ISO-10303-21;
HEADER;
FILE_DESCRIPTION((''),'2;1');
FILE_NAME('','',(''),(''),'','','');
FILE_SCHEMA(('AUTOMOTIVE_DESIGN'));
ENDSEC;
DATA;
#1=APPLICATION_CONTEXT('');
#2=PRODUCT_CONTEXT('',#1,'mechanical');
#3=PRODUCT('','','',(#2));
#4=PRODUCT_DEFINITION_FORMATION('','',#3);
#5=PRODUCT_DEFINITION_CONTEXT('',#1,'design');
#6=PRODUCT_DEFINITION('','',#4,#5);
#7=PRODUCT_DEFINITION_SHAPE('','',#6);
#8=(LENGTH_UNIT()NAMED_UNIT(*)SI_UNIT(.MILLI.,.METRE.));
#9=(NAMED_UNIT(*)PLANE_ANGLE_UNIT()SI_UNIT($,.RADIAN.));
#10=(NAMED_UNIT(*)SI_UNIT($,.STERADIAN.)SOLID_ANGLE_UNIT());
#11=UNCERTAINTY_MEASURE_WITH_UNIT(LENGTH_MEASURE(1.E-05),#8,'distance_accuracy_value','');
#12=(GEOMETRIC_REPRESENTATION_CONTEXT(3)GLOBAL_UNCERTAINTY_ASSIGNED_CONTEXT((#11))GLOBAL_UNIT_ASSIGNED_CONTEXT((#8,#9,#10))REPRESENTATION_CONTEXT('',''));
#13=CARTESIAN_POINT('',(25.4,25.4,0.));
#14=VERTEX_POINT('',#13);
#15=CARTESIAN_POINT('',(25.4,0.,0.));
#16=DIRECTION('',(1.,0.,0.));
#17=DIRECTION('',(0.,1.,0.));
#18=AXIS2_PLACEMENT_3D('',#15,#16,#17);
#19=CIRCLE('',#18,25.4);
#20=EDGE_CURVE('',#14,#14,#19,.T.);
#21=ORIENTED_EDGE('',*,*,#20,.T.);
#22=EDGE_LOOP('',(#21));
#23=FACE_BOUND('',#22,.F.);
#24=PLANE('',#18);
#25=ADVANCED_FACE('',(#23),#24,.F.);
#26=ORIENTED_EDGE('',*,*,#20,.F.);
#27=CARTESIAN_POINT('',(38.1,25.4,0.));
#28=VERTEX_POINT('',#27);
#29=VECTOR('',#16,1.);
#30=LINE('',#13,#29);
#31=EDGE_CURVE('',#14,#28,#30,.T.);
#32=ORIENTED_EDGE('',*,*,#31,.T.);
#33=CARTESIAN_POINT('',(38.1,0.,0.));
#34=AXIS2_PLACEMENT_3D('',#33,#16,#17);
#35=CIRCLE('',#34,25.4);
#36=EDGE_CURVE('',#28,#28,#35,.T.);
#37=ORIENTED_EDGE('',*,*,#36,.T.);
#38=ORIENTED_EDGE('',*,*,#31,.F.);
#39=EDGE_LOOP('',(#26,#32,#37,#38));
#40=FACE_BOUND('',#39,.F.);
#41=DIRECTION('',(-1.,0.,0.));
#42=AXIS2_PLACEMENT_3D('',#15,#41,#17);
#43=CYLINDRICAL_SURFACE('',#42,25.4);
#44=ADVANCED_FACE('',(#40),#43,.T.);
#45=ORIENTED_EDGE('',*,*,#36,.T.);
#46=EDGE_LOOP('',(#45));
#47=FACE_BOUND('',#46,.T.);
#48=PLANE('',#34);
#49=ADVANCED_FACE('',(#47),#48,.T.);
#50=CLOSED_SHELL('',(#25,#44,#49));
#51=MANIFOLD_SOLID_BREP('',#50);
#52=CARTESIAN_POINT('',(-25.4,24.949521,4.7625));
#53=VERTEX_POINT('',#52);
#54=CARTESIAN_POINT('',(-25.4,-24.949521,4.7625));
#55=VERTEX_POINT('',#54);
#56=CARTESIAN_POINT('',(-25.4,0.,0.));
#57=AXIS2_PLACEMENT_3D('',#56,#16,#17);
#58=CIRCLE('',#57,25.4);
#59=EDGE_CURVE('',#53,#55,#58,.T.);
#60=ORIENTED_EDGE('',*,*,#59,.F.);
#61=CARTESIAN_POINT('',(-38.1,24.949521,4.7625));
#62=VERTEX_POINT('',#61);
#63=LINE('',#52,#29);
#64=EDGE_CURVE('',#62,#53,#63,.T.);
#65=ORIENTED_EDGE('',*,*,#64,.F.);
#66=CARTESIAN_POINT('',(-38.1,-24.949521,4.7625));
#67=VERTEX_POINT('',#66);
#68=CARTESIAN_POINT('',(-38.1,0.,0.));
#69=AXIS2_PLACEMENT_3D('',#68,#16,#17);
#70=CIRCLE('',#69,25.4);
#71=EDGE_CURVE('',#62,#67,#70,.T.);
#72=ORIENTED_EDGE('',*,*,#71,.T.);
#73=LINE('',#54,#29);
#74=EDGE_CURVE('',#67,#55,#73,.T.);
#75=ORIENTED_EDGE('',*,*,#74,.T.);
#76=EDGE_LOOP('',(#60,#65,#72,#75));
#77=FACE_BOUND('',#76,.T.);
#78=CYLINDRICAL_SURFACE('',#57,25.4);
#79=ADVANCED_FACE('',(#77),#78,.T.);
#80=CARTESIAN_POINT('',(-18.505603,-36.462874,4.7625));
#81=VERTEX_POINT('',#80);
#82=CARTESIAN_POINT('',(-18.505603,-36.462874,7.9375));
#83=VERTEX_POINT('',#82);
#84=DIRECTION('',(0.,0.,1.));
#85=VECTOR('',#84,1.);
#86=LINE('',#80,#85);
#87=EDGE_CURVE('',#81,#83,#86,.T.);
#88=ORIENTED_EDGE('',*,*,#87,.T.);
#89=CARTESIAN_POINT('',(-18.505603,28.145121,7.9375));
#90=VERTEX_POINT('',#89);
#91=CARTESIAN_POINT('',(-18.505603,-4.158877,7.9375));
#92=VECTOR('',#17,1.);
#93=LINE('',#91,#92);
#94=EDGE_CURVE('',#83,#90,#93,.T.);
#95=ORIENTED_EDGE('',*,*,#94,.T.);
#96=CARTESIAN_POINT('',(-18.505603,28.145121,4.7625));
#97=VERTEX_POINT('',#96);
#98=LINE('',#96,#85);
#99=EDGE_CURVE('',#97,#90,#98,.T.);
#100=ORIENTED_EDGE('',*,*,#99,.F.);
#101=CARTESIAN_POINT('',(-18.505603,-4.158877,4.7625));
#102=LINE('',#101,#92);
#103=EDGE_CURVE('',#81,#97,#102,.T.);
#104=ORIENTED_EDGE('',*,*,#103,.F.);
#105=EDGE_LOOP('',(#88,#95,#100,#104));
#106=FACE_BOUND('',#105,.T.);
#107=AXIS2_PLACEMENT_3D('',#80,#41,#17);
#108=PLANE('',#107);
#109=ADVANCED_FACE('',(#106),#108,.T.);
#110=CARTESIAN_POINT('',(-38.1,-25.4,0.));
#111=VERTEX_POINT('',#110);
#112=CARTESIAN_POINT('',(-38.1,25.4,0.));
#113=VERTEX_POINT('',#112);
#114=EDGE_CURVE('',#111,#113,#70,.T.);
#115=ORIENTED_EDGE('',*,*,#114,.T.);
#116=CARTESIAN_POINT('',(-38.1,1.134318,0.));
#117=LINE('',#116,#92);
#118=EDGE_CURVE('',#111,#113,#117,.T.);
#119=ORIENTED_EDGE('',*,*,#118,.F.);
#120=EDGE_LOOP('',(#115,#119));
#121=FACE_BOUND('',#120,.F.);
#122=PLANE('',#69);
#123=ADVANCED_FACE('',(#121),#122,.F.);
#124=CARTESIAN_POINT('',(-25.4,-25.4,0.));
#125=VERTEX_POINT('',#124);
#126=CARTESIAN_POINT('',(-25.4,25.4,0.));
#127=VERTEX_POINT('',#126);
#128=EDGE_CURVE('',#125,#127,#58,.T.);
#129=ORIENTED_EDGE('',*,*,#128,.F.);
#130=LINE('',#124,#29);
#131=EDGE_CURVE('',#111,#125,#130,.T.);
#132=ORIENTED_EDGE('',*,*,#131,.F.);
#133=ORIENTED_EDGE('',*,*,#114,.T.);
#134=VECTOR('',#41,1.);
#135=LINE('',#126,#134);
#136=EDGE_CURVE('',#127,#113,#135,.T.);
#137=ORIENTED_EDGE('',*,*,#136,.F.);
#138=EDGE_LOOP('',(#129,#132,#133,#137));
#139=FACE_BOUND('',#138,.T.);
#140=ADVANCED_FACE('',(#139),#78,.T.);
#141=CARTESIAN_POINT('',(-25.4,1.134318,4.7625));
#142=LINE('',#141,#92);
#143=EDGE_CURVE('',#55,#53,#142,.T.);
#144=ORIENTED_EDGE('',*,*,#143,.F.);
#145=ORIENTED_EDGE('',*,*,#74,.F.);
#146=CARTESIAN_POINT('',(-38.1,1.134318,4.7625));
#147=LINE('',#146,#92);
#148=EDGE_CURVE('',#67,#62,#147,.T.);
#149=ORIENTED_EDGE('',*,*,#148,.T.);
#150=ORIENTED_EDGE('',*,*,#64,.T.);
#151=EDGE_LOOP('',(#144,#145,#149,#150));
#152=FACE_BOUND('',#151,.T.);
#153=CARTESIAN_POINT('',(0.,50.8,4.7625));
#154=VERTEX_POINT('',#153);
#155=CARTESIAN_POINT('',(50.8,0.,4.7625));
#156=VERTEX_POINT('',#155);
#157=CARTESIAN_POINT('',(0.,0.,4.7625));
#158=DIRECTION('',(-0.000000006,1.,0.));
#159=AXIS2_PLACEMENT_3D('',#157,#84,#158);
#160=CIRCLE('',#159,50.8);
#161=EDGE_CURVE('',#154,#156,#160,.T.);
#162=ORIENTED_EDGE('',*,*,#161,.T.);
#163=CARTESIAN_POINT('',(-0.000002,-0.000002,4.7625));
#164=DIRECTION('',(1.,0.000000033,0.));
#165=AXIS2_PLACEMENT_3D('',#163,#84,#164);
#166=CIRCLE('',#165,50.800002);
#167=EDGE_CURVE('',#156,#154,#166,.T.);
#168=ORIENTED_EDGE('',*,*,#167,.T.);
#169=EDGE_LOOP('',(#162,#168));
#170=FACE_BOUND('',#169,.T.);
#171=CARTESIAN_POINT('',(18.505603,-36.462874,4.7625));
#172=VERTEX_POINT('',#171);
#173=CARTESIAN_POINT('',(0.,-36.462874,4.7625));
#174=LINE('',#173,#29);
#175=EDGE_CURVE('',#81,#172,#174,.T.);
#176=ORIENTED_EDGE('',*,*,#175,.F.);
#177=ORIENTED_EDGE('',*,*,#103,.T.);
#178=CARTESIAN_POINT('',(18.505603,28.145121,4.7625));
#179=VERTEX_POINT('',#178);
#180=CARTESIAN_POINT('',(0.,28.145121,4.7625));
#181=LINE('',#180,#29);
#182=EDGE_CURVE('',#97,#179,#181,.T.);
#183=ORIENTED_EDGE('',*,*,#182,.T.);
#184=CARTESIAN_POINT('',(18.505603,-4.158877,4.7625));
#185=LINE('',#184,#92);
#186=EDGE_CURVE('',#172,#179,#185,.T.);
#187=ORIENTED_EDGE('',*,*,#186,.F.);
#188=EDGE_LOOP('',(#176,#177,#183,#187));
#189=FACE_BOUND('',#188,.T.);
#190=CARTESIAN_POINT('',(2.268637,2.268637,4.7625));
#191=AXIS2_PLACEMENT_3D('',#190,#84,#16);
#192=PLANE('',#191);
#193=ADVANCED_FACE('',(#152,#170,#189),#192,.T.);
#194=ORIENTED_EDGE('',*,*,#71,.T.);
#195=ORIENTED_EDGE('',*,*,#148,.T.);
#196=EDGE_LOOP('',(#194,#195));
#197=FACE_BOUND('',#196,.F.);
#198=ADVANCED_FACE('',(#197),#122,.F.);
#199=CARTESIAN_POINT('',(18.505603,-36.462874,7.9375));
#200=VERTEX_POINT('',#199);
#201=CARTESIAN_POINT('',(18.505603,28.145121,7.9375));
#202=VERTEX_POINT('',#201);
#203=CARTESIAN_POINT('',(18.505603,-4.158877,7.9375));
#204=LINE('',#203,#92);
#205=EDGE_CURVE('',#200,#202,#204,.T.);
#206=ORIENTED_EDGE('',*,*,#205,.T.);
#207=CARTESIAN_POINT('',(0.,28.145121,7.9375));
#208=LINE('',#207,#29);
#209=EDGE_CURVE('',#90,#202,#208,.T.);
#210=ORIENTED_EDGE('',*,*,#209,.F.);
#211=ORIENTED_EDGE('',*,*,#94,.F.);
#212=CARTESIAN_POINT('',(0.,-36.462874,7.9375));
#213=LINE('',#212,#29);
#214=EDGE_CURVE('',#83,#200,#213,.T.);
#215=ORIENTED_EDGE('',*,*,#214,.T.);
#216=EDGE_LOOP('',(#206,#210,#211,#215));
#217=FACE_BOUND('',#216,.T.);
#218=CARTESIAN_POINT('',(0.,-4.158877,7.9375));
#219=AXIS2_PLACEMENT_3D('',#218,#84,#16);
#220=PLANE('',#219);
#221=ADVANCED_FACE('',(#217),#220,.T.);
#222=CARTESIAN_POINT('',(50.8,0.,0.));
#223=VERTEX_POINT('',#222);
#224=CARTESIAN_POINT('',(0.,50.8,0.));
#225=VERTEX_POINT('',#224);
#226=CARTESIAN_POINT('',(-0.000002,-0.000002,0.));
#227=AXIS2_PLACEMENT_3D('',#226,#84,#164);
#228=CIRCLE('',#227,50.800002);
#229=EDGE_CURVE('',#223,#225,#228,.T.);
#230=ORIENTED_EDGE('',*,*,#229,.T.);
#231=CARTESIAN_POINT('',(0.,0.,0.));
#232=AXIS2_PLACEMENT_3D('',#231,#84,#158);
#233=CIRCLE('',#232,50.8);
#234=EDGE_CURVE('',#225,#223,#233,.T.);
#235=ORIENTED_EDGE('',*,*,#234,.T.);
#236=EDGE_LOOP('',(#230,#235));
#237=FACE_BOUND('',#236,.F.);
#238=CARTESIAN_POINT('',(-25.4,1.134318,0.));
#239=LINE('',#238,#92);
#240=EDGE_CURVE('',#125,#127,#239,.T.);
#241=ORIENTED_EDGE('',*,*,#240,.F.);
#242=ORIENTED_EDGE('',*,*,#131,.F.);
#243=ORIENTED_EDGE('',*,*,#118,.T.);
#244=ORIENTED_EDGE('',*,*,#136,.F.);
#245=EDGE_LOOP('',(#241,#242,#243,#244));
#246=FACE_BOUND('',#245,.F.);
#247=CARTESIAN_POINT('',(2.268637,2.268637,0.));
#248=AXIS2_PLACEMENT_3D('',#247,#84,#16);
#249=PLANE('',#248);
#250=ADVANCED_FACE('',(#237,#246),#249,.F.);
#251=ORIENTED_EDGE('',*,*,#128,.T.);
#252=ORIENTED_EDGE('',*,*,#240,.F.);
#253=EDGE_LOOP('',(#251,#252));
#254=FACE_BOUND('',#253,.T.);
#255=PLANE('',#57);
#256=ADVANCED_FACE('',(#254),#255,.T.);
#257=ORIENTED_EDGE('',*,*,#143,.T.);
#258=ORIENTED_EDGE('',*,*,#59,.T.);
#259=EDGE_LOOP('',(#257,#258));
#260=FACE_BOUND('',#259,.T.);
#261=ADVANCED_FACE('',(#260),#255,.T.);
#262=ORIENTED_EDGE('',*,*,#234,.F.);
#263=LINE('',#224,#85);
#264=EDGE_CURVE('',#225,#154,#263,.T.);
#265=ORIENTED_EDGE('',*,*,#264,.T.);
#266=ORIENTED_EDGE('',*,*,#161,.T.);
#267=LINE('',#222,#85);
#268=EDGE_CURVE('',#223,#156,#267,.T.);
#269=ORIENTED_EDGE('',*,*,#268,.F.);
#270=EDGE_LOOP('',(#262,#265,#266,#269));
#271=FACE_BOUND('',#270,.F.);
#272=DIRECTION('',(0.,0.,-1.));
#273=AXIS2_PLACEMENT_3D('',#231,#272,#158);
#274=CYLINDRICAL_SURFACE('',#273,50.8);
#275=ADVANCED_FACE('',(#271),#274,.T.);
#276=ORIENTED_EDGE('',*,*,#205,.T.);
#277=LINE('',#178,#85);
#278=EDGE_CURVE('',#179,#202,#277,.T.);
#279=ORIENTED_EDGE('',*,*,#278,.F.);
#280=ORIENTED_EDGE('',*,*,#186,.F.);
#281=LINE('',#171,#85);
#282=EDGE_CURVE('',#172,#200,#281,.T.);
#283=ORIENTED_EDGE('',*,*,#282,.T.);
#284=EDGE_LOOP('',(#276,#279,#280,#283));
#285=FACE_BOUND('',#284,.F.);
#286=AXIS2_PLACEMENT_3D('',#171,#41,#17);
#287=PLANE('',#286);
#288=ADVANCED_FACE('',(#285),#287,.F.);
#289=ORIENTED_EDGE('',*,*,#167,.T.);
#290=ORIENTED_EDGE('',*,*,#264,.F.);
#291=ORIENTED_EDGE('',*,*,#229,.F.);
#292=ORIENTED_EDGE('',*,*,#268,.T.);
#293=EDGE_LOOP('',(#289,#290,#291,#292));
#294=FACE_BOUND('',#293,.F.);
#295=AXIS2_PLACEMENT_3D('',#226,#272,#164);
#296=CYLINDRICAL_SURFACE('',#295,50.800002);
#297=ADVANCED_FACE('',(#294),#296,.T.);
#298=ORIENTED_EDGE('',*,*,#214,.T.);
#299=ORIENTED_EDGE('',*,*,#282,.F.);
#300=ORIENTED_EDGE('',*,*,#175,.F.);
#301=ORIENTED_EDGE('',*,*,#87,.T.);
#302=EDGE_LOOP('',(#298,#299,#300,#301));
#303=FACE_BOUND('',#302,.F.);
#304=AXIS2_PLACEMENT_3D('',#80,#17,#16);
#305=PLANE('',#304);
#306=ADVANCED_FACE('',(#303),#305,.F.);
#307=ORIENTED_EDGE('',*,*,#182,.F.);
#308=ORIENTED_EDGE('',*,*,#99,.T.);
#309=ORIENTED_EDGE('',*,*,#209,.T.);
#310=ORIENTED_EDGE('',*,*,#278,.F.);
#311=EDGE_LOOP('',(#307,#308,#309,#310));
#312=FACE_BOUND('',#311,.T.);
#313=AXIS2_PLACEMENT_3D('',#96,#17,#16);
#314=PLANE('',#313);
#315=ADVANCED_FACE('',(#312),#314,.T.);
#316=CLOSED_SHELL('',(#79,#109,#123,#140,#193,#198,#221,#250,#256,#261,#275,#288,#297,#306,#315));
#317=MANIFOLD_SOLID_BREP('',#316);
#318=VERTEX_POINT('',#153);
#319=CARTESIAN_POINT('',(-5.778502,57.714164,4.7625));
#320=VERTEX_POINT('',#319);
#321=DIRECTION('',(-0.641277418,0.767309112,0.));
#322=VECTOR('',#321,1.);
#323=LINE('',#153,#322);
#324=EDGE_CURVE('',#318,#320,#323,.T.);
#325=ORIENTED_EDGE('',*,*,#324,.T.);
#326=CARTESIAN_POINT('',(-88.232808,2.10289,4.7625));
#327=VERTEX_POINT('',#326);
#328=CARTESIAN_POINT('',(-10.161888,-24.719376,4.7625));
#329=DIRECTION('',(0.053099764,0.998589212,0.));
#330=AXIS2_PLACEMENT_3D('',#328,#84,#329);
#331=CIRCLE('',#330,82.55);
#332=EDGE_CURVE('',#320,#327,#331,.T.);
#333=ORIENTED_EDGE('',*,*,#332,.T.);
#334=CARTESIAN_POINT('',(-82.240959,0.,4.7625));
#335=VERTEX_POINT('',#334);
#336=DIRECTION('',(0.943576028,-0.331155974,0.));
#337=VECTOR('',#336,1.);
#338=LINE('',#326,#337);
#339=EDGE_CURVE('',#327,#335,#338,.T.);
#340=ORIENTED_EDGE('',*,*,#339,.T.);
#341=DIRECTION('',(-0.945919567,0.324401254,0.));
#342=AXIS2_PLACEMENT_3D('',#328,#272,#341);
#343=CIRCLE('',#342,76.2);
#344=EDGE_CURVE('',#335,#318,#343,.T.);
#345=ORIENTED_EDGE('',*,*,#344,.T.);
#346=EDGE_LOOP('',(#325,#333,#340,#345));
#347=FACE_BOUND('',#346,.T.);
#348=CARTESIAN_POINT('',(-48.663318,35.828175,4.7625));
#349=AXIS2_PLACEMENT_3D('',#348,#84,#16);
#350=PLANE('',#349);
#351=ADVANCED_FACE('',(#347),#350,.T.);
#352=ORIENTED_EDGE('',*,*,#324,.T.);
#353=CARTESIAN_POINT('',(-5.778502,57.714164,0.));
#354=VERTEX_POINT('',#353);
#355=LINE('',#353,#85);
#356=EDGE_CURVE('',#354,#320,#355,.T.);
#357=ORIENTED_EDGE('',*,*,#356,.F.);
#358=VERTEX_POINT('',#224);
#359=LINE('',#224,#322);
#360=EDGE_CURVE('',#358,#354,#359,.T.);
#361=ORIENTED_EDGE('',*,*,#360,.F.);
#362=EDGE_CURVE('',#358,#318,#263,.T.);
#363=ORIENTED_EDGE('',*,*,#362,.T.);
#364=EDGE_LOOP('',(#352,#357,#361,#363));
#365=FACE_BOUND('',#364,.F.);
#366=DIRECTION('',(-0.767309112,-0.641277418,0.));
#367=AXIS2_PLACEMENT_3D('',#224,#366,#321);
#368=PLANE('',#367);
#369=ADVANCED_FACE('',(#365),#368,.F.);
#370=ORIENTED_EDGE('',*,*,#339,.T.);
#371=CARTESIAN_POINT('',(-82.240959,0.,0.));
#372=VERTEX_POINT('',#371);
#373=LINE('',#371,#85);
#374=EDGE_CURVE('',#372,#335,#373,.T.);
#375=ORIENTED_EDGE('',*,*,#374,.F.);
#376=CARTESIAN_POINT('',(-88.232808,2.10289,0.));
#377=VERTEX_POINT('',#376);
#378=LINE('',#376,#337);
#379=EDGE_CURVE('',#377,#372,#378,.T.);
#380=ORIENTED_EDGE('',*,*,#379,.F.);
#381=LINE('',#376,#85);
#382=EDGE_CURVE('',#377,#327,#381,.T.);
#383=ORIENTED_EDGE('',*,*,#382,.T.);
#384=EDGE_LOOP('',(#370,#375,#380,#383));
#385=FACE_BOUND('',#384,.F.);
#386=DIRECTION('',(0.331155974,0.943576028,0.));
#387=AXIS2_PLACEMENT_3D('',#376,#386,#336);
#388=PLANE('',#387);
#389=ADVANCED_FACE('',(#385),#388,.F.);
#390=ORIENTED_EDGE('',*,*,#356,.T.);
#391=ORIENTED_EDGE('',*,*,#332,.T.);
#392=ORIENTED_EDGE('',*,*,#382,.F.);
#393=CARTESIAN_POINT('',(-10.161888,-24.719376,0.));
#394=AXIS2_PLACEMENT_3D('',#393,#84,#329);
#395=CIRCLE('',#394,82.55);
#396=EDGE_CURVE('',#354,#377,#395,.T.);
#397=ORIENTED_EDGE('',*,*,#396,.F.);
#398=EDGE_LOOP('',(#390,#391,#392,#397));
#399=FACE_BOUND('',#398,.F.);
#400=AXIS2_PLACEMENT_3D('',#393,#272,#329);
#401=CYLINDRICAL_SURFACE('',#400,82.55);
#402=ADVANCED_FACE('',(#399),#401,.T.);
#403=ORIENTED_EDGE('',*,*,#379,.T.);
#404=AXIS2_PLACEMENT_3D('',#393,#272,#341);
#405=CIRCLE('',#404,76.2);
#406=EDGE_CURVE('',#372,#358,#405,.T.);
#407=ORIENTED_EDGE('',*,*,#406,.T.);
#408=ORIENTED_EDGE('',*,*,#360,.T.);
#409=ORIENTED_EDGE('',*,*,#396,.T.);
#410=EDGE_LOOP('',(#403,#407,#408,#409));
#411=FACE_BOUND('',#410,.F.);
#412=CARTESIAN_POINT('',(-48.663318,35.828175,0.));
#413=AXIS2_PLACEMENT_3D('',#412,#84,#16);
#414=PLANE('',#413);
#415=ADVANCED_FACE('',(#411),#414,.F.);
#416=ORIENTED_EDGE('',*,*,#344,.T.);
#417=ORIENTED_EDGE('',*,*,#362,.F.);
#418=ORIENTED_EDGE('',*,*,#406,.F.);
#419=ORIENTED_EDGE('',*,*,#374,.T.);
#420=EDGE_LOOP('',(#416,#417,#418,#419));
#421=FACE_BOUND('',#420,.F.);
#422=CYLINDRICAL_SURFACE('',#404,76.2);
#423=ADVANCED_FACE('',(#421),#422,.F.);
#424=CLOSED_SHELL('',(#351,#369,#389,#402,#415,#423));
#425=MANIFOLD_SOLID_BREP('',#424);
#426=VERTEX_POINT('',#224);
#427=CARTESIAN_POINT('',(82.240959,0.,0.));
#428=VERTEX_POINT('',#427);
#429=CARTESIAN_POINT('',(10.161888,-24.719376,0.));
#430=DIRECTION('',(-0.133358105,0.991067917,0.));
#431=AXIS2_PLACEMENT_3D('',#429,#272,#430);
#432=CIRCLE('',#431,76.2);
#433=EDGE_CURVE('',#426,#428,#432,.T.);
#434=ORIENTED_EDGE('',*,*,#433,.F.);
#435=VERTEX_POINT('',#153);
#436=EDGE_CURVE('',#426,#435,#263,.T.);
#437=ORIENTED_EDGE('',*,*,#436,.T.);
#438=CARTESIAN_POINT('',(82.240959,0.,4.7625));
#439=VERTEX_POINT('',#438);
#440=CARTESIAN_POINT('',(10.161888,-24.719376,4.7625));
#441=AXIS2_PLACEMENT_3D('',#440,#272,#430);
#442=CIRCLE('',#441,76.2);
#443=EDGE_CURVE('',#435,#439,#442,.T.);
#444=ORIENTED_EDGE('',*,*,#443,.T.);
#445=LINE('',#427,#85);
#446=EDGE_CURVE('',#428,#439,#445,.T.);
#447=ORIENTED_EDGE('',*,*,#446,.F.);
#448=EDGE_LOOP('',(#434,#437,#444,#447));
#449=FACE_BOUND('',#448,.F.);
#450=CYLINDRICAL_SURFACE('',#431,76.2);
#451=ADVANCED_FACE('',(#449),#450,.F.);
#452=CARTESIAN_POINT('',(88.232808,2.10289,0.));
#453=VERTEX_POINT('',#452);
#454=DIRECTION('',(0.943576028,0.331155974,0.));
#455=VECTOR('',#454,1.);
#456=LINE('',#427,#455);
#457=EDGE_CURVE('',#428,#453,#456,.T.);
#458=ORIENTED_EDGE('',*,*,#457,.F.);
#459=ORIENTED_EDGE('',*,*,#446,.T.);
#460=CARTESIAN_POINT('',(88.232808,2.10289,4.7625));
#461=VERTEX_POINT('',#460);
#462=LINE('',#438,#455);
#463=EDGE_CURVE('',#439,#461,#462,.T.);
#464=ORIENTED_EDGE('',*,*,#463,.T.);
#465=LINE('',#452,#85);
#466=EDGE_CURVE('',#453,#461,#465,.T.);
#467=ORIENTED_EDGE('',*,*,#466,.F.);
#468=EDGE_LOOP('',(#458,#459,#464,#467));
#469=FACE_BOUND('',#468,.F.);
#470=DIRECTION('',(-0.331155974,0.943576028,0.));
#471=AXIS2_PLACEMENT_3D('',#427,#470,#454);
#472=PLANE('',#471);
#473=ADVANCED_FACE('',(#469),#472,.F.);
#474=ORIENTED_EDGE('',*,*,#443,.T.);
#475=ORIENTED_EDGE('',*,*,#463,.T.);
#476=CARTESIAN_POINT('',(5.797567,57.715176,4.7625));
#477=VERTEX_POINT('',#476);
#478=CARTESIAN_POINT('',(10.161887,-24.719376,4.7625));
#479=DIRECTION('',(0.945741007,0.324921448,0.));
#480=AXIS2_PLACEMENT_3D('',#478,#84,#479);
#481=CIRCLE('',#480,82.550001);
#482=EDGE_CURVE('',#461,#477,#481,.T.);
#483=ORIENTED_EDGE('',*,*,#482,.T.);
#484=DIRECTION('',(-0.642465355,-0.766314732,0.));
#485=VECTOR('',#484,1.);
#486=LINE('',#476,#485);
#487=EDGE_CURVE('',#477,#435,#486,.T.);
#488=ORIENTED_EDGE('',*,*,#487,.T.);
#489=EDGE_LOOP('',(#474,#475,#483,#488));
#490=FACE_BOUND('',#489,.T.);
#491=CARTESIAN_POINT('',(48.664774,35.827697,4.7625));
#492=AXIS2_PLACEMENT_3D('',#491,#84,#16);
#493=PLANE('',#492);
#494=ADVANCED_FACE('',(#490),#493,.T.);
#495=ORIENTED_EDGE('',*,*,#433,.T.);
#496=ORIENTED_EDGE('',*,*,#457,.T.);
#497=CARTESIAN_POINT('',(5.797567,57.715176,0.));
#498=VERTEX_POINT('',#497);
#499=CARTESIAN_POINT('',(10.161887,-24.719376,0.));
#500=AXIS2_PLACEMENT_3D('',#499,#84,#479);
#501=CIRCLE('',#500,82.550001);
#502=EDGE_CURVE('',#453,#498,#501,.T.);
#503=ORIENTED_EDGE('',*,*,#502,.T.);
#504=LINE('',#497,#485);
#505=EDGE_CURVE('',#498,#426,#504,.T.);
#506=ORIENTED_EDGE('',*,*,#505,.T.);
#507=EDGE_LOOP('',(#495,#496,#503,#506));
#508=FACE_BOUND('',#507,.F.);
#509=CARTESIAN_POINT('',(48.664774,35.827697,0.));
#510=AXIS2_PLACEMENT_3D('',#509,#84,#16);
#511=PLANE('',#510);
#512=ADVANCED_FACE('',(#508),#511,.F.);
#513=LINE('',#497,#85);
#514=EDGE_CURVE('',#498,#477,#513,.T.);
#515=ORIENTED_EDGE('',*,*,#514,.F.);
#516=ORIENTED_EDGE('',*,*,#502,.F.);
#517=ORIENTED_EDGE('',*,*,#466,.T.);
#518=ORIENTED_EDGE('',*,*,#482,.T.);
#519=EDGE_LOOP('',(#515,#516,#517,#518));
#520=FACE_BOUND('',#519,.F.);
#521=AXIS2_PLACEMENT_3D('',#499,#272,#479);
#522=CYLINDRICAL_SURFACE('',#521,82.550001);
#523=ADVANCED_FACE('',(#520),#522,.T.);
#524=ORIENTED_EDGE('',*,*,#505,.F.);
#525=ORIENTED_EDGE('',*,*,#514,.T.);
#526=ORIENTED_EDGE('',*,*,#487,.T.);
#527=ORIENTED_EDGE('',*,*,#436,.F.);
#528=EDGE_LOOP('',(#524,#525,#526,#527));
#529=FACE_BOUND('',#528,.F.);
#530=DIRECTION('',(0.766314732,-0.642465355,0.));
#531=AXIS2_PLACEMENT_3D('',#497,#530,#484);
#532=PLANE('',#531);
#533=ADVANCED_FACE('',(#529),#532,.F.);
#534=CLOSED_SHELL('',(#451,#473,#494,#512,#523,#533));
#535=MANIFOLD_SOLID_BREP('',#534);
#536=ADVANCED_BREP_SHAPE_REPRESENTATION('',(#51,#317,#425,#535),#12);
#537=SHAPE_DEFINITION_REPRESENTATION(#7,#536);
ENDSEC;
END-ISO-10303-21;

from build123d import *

# Parameters (mm, degrees)
F1_DEPTH = 4.7625
F3_R     = 25.4
F4_DEPTH = 12.7
F6_R     = 25.4
F7_DEPTH = 12.7
F8_W     = 37.011206
F8_H     = 64.607995
F9_DEPTH = 3.175


with BuildPart() as f1:
    # F0 (on Top) → F1 (new body)
    with BuildSketch(Plane.XY):
        with BuildLine():
            ThreePointArc((0, 50.8), (-35.921024, -35.921024), (50.8, 0))
            ThreePointArc((50.8, 0), (35.921024, 35.921024), (0, 50.8))
        make_face()
        with BuildLine():
            ThreePointArc((-82.240959, 0), (-50.206793, 40.109982), (0, 50.8))
            Line((0, 50.8), (-5.778502, 57.714164))
            ThreePointArc((-5.778502, 57.714164), (-56.320491, 43.719545), (-88.232808, 2.10289))
            Line((-88.232808, 2.10289), (-82.240959, 0))
        make_face()
        with BuildLine():
            Line((5.797567, 57.715176), (0, 50.8))
            ThreePointArc((0, 50.8), (50.206793, 40.109982), (82.240959, 0))
            Line((82.240959, 0), (88.232808, 2.10289))
            ThreePointArc((88.232808, 2.10289), (56.328405, 43.714207), (5.797567, 57.715176))
        make_face()
    extrude(amount=F1_DEPTH)

    # F6 (on offset) → F7 (join)
    with BuildSketch(Plane.YZ.offset(-25.4)):
        Circle(F6_R)
    extrude(amount=-F7_DEPTH)

    # F8 (on face) → F9 (join)
    with BuildSketch(Plane.XY.offset(4.7625)):
        with Locations((0, -4.158877)):
            Rectangle(F8_W, F8_H)
    extrude(amount=F9_DEPTH)


with BuildPart() as f4:
    # F3 (on offset) → F4 (new body)
    with BuildSketch(Plane.YZ.offset(25.4)):
        Circle(F3_R)
    extrude(amount=F4_DEPTH)


solid = Compound([f1.part, f4.part])
